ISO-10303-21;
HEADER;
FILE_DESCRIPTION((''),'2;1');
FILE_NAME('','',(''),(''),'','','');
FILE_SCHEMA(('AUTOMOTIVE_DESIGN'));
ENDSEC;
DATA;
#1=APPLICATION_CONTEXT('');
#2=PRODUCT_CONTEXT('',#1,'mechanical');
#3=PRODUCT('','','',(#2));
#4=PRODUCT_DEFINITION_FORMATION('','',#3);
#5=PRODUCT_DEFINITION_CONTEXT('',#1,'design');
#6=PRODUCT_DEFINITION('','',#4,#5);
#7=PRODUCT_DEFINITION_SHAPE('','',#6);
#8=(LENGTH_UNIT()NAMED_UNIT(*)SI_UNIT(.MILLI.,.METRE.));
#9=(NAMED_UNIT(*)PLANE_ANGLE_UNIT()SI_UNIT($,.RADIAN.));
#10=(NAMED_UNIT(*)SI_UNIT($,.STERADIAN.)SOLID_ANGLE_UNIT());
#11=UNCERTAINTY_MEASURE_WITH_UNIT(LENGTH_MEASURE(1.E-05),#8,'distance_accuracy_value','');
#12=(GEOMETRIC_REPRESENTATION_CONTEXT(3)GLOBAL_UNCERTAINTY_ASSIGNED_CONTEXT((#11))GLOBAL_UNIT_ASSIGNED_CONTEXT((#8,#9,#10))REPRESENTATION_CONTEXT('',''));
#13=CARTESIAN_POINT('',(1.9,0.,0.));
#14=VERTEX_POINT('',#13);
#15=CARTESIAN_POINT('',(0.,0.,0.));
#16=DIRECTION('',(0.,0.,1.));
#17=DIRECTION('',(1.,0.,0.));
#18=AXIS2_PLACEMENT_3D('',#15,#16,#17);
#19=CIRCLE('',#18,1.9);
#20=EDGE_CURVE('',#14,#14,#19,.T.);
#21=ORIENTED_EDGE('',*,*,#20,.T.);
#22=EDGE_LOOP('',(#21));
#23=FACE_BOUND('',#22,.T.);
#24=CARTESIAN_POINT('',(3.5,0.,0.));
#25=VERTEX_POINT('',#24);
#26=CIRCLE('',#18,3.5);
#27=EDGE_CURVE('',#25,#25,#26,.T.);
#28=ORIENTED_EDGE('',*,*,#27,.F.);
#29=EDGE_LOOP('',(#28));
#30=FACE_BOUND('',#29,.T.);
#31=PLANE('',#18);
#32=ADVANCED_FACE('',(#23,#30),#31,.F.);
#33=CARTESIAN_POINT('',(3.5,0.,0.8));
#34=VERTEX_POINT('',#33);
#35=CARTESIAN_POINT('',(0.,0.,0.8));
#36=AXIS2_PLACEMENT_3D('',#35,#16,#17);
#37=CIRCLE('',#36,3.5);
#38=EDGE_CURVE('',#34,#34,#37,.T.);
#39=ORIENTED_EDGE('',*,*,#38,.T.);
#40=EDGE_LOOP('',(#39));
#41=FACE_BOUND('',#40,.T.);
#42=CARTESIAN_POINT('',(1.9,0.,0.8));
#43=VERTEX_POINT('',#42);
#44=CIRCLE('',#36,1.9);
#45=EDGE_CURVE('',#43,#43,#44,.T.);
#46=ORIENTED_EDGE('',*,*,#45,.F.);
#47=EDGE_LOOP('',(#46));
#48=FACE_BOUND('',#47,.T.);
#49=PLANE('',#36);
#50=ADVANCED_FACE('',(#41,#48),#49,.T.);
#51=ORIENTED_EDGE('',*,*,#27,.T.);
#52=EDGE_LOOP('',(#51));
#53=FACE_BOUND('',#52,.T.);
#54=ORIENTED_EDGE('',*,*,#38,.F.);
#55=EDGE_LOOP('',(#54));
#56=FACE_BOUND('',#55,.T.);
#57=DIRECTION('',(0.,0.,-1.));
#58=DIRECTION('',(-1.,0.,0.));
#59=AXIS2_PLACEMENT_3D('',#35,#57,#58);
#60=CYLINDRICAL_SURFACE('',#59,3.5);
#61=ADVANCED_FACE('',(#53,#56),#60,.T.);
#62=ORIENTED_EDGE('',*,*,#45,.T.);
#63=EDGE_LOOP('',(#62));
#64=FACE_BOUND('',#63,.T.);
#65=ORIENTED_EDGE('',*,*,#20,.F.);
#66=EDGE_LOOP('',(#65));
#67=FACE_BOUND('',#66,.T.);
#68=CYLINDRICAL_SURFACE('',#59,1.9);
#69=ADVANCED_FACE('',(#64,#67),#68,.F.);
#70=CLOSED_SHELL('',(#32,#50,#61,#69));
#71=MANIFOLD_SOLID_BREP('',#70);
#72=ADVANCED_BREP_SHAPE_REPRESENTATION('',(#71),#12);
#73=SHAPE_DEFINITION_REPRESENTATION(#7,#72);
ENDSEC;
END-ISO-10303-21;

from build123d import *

# Parameters (mm, degrees)
ESQUISSE1_R      = 3.5
ESQUISSE1_R_2    = 1.9
EXTRUSION1_DEPTH = 0.8


with BuildPart() as part:
    # Esquisse1 → Extrusion1 (new body)
    with BuildSketch(Plane.XY):
        Circle(ESQUISSE1_R)
        Circle(ESQUISSE1_R_2, mode=Mode.SUBTRACT)
    extrude(amount=EXTRUSION1_DEPTH)


solid = part.part
